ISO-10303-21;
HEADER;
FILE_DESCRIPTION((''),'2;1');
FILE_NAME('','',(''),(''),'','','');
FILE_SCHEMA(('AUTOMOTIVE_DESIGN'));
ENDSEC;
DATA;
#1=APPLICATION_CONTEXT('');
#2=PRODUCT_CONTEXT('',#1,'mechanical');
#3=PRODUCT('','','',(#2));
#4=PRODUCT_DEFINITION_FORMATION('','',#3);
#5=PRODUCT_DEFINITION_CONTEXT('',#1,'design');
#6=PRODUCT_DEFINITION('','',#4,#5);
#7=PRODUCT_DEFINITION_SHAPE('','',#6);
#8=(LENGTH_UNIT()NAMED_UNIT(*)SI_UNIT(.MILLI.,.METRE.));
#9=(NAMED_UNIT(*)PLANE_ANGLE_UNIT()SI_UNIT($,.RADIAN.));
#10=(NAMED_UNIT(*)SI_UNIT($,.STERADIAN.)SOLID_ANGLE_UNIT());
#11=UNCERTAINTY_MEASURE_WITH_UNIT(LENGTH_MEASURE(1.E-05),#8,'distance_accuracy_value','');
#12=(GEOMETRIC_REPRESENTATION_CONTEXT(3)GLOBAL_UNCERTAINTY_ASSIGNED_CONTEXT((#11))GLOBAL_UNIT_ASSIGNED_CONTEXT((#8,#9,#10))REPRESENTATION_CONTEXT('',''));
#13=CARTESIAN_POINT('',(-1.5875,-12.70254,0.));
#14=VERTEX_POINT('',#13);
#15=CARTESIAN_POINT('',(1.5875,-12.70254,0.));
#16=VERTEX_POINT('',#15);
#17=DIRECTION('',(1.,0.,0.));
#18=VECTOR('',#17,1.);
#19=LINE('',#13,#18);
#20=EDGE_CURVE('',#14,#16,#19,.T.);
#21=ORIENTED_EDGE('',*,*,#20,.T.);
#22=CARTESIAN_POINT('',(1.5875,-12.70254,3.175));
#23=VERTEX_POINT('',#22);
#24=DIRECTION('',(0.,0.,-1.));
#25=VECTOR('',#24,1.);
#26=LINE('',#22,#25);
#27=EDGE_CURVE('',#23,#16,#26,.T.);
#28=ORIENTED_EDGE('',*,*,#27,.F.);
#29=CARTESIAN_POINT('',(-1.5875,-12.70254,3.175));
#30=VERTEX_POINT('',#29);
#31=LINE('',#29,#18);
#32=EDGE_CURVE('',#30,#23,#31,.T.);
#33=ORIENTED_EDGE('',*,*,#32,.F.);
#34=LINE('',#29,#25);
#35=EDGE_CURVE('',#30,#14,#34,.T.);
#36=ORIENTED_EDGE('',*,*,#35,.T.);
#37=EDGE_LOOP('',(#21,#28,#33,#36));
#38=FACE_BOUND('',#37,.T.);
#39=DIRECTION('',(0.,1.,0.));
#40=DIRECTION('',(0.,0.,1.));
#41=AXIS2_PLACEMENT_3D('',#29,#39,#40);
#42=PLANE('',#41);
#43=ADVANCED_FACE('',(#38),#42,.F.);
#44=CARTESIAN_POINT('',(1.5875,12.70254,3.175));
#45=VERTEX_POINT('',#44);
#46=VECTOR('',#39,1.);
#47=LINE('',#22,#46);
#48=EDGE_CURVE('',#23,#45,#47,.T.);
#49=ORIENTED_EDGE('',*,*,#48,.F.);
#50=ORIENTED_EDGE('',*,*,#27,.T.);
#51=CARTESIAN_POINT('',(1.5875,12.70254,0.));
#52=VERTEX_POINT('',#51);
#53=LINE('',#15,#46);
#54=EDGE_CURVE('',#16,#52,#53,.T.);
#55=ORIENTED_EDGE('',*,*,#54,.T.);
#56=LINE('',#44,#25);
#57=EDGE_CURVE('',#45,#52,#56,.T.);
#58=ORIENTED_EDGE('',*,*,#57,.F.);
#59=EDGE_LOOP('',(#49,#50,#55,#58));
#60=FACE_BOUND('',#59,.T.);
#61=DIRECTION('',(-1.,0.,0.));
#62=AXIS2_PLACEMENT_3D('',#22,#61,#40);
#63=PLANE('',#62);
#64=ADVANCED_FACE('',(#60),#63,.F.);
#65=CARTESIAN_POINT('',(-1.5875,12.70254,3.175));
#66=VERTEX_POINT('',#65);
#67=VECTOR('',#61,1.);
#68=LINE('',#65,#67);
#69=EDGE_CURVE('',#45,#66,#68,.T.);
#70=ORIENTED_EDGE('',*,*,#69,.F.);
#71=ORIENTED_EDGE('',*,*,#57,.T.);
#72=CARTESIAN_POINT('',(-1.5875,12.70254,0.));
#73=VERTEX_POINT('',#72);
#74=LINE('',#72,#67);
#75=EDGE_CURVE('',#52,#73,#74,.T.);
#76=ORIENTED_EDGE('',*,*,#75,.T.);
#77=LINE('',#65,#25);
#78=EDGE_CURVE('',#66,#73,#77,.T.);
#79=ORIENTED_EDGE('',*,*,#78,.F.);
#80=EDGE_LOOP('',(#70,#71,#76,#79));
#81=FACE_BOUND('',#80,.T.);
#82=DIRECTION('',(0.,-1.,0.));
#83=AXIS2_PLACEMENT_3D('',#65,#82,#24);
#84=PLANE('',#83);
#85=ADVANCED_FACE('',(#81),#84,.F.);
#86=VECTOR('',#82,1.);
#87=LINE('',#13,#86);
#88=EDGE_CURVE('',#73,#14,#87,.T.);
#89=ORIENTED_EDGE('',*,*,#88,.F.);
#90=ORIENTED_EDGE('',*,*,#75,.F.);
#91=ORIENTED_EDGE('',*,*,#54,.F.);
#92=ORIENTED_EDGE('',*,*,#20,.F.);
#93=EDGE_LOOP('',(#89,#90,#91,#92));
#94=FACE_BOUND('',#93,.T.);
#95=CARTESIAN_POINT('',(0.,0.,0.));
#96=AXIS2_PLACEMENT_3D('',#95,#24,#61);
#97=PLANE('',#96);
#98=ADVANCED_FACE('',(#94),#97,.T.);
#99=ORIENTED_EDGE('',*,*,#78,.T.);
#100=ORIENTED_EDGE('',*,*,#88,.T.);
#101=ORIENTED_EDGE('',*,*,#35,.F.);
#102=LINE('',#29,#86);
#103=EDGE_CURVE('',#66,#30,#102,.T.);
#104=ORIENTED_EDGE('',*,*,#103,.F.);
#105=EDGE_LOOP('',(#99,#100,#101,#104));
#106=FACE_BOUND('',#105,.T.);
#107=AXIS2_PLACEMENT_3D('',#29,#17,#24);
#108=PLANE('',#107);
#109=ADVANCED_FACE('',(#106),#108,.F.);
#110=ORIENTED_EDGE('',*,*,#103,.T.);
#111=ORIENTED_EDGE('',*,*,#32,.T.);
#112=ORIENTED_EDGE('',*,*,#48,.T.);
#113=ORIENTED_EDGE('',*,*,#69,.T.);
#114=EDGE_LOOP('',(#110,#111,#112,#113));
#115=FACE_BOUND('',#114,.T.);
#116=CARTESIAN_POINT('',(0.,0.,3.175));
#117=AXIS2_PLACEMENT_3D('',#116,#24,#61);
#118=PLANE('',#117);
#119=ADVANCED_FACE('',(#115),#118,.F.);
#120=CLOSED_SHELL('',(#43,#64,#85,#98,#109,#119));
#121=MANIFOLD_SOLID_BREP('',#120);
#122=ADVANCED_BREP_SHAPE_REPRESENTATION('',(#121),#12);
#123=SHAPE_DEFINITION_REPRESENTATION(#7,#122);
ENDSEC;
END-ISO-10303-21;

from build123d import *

# Parameters (mm, degrees)
SKETCH2_W           = 3.175
SKETCH2_H           = 25.40508
BOSS_EXTRUDE1_DEPTH = 3.175


with BuildPart() as part:
    # Sketch2 → Boss-Extrude1 (new body)
    with BuildSketch(Plane.XY):
        Rectangle(SKETCH2_W, SKETCH2_H)
    extrude(amount=BOSS_EXTRUDE1_DEPTH)


solid = part.part
